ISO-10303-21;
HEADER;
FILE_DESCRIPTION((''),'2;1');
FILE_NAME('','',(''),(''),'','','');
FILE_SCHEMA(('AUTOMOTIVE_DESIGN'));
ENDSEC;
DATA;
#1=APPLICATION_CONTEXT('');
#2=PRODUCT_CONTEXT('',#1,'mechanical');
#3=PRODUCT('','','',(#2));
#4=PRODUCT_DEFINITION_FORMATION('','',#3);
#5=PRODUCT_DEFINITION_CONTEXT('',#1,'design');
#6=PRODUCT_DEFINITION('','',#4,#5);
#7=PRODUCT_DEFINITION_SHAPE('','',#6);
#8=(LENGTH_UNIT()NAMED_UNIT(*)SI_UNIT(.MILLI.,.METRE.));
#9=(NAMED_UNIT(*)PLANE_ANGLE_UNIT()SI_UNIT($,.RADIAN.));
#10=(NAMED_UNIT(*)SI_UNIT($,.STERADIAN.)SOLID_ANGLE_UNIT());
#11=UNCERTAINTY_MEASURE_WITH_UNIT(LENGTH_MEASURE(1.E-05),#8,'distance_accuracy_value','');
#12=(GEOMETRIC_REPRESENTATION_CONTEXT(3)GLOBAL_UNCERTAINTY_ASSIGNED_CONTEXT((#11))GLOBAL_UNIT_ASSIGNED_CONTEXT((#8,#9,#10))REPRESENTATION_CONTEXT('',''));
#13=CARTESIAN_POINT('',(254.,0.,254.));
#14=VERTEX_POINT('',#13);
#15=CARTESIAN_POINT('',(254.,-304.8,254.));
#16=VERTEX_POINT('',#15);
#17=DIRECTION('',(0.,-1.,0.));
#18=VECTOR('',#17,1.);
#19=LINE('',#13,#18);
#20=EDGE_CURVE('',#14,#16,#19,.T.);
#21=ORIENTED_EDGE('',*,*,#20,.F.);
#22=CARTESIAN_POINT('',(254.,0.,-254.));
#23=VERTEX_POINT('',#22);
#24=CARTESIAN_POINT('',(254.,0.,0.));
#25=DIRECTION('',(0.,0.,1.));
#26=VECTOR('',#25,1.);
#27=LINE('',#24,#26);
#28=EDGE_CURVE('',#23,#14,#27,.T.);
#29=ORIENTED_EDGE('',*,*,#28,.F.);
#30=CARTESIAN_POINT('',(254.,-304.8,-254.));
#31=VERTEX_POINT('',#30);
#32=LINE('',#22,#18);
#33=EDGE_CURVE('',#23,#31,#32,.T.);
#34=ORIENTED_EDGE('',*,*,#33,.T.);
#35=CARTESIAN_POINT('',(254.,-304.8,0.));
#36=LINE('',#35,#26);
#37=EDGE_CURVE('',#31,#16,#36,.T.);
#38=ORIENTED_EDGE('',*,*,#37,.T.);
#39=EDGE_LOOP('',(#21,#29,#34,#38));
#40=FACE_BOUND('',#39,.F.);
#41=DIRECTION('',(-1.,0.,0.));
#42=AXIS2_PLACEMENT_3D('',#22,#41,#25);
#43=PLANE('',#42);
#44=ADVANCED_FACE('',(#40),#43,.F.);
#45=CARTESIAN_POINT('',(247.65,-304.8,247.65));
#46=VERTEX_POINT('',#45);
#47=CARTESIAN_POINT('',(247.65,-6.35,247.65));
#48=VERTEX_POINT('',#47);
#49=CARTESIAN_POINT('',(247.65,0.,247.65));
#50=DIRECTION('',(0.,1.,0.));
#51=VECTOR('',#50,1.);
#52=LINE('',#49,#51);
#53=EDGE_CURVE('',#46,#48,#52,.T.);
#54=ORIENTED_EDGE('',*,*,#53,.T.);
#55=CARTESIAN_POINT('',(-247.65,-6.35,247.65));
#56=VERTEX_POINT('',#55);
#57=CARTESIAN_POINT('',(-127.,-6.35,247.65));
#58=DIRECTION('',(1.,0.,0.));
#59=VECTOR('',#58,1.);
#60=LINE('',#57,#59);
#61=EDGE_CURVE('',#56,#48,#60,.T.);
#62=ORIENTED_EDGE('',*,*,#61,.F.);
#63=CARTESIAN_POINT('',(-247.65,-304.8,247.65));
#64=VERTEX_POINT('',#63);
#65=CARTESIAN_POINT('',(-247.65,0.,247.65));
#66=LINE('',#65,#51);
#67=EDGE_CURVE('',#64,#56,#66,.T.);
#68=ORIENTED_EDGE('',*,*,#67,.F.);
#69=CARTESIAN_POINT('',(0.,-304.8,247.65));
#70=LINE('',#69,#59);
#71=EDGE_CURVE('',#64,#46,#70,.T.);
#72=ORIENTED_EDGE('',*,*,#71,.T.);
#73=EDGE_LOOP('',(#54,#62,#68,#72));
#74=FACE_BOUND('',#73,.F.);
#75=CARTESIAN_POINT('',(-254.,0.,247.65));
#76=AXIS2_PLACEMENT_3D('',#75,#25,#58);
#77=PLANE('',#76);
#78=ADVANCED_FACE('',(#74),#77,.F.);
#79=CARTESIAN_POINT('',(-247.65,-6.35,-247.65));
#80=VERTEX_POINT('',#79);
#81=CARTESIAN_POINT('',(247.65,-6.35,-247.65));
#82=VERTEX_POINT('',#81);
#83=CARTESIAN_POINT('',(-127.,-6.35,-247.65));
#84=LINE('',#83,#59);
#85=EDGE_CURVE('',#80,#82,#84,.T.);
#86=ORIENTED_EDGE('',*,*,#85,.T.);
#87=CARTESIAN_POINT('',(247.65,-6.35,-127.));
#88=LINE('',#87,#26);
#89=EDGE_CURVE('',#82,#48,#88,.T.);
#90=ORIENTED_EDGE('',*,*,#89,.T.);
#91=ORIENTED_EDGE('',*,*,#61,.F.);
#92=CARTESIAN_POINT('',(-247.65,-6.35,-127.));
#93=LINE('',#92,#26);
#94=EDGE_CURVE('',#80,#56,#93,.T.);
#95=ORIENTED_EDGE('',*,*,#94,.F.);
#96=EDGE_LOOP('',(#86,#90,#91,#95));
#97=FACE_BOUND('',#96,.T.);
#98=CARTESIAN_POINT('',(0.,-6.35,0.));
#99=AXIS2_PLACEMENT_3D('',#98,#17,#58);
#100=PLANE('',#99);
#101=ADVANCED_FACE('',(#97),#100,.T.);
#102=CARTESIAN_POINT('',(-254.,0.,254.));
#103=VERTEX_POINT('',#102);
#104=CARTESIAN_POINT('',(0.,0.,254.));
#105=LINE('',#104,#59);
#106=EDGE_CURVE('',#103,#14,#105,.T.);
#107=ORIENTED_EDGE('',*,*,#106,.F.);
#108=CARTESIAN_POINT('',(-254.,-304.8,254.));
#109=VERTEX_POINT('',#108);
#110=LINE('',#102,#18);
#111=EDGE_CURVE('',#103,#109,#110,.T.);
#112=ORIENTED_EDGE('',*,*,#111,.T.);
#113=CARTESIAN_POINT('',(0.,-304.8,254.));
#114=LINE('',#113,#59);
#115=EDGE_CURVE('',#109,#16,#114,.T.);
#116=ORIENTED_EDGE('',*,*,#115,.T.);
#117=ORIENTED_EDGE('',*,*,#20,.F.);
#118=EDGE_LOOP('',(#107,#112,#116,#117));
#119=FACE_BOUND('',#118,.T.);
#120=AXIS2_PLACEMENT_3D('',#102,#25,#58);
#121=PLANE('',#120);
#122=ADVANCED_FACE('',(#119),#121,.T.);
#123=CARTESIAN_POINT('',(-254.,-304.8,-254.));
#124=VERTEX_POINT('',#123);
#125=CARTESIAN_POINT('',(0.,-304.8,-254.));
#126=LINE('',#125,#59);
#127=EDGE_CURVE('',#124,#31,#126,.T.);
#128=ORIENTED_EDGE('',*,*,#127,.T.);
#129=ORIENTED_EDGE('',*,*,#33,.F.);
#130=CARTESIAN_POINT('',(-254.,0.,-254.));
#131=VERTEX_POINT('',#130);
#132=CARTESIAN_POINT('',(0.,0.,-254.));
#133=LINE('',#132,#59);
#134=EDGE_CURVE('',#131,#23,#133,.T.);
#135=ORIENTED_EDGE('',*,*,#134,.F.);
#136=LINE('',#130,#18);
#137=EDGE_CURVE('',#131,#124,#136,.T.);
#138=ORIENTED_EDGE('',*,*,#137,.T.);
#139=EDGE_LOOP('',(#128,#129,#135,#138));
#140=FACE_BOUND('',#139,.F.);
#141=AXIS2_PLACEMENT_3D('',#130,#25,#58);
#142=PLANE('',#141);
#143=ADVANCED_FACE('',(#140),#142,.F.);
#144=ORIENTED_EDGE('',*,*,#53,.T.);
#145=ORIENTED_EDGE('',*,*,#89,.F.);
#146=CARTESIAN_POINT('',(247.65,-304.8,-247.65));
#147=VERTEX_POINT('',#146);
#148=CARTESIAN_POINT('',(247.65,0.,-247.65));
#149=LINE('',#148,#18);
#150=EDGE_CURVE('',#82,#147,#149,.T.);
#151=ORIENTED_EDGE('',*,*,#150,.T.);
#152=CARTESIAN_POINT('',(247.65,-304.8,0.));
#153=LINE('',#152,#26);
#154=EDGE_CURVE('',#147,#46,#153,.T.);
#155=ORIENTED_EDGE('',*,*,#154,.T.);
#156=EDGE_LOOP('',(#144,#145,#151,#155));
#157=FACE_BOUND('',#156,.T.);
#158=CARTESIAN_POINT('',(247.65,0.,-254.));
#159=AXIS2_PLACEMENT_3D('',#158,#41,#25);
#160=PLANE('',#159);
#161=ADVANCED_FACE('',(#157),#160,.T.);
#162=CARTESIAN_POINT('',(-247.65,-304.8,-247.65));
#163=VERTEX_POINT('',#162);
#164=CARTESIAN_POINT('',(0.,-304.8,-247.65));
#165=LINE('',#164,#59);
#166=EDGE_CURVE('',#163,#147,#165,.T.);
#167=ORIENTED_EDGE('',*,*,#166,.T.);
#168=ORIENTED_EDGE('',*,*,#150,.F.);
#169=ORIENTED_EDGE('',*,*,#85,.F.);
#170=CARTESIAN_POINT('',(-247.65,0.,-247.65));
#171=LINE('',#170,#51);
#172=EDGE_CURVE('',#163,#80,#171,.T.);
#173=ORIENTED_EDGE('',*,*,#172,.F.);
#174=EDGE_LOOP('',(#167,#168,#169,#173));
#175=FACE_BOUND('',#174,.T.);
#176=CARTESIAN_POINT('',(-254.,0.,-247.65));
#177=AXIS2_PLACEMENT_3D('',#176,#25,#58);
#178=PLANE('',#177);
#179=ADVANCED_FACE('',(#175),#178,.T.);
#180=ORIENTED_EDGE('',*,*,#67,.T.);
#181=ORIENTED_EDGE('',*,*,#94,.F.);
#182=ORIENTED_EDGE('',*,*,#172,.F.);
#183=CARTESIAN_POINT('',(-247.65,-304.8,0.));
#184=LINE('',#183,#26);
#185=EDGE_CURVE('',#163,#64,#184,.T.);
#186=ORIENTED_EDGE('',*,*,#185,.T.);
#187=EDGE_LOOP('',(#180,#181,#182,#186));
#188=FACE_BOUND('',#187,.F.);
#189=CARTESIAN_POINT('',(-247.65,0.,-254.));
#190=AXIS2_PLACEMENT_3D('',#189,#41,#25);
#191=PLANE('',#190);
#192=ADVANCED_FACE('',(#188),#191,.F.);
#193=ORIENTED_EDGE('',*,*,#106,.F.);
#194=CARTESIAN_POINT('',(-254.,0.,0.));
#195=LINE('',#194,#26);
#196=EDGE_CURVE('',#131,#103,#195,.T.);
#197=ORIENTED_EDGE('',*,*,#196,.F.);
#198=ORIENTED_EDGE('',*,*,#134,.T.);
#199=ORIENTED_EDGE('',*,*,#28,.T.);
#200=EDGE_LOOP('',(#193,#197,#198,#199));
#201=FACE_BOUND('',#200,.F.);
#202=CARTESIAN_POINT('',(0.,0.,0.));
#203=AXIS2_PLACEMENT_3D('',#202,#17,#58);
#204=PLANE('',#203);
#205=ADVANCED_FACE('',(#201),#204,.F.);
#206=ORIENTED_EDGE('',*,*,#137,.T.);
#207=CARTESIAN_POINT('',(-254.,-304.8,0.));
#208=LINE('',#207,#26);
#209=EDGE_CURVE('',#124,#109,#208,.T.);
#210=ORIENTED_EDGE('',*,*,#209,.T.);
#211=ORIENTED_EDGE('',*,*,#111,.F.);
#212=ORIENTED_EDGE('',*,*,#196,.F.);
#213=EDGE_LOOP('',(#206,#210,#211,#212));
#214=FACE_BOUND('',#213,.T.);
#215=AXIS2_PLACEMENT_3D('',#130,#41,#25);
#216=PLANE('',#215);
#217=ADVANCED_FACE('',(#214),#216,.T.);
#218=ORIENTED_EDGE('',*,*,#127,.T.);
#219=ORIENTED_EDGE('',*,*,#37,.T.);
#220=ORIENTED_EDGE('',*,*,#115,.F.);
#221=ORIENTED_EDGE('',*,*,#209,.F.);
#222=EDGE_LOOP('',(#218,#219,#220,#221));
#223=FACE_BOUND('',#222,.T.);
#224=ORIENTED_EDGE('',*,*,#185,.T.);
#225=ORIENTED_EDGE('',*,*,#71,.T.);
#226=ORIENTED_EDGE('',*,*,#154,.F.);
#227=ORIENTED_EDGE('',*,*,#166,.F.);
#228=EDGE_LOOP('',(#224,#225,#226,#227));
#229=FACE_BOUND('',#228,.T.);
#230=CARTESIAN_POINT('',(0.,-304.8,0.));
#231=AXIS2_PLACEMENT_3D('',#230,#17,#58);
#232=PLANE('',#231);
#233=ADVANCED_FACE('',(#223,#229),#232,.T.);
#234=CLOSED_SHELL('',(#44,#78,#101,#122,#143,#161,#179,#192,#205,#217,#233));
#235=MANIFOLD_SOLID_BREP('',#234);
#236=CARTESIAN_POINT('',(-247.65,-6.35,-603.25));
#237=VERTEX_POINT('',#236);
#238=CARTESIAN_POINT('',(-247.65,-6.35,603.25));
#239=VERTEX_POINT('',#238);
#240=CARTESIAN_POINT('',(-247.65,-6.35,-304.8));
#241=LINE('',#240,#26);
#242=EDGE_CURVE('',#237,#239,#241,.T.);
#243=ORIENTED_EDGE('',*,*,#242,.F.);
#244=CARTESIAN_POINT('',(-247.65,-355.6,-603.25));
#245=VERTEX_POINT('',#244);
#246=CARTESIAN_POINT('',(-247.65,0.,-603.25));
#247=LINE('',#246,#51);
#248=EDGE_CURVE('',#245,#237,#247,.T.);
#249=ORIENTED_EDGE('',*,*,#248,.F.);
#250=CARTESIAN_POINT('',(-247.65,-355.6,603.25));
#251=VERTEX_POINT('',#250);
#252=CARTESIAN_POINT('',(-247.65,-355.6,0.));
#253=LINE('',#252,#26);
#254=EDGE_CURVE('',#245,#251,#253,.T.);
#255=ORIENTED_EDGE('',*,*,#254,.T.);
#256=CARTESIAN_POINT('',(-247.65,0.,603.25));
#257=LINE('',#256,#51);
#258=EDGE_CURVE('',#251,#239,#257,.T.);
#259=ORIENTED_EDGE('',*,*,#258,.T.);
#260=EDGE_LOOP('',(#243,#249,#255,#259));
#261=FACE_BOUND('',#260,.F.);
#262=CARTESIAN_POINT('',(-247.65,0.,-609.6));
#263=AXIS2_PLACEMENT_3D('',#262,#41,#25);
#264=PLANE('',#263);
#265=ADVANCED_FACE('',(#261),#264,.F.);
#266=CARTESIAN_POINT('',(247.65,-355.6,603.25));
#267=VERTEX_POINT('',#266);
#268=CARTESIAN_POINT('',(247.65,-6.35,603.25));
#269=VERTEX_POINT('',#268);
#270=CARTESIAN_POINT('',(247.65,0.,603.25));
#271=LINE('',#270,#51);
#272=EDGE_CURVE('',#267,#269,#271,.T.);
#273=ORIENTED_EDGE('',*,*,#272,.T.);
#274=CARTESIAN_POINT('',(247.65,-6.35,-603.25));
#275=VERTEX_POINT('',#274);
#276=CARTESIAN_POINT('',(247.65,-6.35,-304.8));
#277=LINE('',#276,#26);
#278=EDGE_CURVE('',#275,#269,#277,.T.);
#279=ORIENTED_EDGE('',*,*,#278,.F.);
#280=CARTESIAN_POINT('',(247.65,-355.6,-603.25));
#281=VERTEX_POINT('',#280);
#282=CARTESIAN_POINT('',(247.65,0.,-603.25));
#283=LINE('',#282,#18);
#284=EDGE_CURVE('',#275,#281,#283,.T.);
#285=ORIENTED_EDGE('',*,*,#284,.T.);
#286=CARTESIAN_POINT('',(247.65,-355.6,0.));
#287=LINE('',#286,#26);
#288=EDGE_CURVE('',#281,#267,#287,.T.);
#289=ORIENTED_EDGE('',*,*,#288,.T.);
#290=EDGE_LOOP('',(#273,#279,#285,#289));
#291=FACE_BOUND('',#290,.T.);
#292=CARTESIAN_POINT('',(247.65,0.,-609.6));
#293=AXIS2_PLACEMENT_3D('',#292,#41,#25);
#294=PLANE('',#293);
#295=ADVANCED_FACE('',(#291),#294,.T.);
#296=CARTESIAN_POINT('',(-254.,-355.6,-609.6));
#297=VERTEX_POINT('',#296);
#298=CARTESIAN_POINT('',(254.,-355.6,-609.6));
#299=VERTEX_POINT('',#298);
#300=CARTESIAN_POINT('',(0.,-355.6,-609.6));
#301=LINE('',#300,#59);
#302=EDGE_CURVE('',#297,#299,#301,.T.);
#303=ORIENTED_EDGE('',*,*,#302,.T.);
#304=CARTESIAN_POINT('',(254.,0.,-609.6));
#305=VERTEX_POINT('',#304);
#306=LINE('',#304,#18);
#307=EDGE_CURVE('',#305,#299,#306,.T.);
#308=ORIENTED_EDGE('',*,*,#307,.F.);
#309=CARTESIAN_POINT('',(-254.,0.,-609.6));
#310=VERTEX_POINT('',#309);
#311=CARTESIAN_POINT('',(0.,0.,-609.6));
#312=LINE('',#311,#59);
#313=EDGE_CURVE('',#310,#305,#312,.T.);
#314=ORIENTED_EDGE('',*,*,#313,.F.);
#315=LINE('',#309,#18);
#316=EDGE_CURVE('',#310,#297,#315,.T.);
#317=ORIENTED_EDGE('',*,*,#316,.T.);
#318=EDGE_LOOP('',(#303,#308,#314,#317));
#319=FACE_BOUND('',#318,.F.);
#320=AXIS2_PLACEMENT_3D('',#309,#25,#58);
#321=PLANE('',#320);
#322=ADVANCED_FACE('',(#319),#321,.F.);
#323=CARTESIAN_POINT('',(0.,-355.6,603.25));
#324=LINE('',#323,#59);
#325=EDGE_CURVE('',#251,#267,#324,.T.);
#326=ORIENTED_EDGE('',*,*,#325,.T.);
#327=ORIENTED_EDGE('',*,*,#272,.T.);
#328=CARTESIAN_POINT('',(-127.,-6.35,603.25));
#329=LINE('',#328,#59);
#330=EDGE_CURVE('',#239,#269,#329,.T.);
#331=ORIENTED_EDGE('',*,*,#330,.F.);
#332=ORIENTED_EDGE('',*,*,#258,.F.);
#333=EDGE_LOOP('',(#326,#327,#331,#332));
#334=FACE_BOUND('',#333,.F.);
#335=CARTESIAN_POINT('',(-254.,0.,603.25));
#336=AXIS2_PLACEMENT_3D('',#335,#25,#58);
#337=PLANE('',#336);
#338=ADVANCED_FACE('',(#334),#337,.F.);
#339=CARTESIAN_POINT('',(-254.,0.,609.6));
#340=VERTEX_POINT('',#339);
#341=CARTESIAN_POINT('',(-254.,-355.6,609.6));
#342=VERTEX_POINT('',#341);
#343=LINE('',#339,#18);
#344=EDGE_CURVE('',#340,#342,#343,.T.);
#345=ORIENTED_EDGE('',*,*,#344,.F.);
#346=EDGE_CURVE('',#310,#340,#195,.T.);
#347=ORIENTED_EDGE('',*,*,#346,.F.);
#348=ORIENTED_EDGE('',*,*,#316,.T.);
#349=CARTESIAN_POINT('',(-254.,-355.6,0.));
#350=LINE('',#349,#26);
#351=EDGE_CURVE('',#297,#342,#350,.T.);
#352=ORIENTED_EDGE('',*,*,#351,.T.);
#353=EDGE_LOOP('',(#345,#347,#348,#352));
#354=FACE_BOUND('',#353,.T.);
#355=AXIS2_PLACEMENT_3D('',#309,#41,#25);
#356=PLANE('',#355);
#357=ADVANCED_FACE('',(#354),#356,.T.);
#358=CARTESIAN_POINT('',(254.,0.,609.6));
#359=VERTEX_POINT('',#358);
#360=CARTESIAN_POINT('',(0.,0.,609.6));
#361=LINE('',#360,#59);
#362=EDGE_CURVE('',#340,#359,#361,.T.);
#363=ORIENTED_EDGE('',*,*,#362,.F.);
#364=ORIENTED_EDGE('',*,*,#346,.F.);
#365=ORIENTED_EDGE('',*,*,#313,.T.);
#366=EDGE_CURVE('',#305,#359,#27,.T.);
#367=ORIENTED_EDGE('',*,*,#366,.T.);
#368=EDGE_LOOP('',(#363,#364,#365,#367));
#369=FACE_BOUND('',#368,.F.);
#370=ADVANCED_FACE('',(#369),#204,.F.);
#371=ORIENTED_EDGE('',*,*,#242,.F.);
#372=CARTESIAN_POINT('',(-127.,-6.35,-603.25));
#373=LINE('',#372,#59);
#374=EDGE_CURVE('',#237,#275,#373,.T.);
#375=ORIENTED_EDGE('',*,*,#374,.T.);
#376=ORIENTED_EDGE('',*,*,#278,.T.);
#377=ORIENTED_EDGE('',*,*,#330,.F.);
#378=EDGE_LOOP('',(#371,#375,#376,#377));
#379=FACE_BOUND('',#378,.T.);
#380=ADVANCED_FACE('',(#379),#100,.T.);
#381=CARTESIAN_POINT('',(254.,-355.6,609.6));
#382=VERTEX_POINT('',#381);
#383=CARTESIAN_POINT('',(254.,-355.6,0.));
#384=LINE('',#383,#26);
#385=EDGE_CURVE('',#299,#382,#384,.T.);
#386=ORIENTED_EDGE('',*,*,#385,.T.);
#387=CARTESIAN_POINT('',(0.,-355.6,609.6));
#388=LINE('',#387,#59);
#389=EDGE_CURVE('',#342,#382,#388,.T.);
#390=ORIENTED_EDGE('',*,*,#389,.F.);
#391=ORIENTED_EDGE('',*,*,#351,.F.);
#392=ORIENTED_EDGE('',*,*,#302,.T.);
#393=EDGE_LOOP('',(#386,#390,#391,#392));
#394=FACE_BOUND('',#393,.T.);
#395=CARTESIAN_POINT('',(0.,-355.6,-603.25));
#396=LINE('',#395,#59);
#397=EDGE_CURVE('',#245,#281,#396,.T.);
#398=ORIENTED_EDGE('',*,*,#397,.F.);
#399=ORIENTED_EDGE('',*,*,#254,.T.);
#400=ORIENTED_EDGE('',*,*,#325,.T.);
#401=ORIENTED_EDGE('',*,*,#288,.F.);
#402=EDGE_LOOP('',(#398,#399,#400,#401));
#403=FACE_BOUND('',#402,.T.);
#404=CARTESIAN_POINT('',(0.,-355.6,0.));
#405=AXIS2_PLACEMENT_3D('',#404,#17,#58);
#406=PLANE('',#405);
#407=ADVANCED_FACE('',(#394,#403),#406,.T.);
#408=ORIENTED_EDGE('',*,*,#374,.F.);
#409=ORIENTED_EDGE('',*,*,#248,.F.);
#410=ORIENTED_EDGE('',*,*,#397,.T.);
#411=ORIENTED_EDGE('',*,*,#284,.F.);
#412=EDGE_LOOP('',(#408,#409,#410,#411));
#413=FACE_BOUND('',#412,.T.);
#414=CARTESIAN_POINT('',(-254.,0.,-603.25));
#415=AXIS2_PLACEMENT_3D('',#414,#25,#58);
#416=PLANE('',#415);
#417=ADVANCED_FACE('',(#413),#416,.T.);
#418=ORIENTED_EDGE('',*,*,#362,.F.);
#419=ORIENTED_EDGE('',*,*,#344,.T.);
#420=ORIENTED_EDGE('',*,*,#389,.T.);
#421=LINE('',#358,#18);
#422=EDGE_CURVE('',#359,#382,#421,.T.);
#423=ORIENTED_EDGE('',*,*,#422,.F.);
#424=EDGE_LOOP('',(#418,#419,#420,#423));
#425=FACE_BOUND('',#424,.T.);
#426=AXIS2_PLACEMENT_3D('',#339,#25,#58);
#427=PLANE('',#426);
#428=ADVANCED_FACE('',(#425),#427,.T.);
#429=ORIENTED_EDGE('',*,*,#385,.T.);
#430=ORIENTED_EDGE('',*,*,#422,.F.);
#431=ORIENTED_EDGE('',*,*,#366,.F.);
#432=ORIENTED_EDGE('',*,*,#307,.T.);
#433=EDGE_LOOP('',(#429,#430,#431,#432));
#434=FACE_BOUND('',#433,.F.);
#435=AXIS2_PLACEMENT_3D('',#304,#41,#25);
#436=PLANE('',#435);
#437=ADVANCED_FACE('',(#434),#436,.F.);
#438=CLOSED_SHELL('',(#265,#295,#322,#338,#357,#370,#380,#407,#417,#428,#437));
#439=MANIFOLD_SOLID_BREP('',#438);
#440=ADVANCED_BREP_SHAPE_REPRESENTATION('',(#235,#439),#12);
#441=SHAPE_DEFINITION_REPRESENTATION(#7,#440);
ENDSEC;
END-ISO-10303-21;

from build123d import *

# Parameters (mm, degrees)
F0_W     = 508
F0_H     = 1219.2
F1_DEPTH = 355.6
F2_W     = 508
F2_H     = 508
F3_DEPTH = 304.8
F4_T     = -6.35
F5_T     = -6.35


with BuildPart() as f1:
    # F0 (on Front) → F1 (new body)
    with BuildSketch(Plane.XZ):
        Rectangle(F0_W, F0_H)
    extrude(amount=F1_DEPTH)

    # F5
    f5_openings = [f1.faces().sort_by_distance(p)[0] for p in [
        (0, -355.6, 0),
    ]]
    offset(amount=F5_T, openings=f5_openings)


with BuildPart() as f3:
    # F2 (on Front) → F3 (new body)
    with BuildSketch(Plane.XZ):
        Rectangle(F2_W, F2_H)
    extrude(amount=F3_DEPTH)

    # F4
    f4_openings = [f3.faces().sort_by_distance(p)[0] for p in [
        (0, -304.8, 0),
    ]]
    offset(amount=F4_T, openings=f4_openings)


solid = Compound([f1.part, f3.part])
